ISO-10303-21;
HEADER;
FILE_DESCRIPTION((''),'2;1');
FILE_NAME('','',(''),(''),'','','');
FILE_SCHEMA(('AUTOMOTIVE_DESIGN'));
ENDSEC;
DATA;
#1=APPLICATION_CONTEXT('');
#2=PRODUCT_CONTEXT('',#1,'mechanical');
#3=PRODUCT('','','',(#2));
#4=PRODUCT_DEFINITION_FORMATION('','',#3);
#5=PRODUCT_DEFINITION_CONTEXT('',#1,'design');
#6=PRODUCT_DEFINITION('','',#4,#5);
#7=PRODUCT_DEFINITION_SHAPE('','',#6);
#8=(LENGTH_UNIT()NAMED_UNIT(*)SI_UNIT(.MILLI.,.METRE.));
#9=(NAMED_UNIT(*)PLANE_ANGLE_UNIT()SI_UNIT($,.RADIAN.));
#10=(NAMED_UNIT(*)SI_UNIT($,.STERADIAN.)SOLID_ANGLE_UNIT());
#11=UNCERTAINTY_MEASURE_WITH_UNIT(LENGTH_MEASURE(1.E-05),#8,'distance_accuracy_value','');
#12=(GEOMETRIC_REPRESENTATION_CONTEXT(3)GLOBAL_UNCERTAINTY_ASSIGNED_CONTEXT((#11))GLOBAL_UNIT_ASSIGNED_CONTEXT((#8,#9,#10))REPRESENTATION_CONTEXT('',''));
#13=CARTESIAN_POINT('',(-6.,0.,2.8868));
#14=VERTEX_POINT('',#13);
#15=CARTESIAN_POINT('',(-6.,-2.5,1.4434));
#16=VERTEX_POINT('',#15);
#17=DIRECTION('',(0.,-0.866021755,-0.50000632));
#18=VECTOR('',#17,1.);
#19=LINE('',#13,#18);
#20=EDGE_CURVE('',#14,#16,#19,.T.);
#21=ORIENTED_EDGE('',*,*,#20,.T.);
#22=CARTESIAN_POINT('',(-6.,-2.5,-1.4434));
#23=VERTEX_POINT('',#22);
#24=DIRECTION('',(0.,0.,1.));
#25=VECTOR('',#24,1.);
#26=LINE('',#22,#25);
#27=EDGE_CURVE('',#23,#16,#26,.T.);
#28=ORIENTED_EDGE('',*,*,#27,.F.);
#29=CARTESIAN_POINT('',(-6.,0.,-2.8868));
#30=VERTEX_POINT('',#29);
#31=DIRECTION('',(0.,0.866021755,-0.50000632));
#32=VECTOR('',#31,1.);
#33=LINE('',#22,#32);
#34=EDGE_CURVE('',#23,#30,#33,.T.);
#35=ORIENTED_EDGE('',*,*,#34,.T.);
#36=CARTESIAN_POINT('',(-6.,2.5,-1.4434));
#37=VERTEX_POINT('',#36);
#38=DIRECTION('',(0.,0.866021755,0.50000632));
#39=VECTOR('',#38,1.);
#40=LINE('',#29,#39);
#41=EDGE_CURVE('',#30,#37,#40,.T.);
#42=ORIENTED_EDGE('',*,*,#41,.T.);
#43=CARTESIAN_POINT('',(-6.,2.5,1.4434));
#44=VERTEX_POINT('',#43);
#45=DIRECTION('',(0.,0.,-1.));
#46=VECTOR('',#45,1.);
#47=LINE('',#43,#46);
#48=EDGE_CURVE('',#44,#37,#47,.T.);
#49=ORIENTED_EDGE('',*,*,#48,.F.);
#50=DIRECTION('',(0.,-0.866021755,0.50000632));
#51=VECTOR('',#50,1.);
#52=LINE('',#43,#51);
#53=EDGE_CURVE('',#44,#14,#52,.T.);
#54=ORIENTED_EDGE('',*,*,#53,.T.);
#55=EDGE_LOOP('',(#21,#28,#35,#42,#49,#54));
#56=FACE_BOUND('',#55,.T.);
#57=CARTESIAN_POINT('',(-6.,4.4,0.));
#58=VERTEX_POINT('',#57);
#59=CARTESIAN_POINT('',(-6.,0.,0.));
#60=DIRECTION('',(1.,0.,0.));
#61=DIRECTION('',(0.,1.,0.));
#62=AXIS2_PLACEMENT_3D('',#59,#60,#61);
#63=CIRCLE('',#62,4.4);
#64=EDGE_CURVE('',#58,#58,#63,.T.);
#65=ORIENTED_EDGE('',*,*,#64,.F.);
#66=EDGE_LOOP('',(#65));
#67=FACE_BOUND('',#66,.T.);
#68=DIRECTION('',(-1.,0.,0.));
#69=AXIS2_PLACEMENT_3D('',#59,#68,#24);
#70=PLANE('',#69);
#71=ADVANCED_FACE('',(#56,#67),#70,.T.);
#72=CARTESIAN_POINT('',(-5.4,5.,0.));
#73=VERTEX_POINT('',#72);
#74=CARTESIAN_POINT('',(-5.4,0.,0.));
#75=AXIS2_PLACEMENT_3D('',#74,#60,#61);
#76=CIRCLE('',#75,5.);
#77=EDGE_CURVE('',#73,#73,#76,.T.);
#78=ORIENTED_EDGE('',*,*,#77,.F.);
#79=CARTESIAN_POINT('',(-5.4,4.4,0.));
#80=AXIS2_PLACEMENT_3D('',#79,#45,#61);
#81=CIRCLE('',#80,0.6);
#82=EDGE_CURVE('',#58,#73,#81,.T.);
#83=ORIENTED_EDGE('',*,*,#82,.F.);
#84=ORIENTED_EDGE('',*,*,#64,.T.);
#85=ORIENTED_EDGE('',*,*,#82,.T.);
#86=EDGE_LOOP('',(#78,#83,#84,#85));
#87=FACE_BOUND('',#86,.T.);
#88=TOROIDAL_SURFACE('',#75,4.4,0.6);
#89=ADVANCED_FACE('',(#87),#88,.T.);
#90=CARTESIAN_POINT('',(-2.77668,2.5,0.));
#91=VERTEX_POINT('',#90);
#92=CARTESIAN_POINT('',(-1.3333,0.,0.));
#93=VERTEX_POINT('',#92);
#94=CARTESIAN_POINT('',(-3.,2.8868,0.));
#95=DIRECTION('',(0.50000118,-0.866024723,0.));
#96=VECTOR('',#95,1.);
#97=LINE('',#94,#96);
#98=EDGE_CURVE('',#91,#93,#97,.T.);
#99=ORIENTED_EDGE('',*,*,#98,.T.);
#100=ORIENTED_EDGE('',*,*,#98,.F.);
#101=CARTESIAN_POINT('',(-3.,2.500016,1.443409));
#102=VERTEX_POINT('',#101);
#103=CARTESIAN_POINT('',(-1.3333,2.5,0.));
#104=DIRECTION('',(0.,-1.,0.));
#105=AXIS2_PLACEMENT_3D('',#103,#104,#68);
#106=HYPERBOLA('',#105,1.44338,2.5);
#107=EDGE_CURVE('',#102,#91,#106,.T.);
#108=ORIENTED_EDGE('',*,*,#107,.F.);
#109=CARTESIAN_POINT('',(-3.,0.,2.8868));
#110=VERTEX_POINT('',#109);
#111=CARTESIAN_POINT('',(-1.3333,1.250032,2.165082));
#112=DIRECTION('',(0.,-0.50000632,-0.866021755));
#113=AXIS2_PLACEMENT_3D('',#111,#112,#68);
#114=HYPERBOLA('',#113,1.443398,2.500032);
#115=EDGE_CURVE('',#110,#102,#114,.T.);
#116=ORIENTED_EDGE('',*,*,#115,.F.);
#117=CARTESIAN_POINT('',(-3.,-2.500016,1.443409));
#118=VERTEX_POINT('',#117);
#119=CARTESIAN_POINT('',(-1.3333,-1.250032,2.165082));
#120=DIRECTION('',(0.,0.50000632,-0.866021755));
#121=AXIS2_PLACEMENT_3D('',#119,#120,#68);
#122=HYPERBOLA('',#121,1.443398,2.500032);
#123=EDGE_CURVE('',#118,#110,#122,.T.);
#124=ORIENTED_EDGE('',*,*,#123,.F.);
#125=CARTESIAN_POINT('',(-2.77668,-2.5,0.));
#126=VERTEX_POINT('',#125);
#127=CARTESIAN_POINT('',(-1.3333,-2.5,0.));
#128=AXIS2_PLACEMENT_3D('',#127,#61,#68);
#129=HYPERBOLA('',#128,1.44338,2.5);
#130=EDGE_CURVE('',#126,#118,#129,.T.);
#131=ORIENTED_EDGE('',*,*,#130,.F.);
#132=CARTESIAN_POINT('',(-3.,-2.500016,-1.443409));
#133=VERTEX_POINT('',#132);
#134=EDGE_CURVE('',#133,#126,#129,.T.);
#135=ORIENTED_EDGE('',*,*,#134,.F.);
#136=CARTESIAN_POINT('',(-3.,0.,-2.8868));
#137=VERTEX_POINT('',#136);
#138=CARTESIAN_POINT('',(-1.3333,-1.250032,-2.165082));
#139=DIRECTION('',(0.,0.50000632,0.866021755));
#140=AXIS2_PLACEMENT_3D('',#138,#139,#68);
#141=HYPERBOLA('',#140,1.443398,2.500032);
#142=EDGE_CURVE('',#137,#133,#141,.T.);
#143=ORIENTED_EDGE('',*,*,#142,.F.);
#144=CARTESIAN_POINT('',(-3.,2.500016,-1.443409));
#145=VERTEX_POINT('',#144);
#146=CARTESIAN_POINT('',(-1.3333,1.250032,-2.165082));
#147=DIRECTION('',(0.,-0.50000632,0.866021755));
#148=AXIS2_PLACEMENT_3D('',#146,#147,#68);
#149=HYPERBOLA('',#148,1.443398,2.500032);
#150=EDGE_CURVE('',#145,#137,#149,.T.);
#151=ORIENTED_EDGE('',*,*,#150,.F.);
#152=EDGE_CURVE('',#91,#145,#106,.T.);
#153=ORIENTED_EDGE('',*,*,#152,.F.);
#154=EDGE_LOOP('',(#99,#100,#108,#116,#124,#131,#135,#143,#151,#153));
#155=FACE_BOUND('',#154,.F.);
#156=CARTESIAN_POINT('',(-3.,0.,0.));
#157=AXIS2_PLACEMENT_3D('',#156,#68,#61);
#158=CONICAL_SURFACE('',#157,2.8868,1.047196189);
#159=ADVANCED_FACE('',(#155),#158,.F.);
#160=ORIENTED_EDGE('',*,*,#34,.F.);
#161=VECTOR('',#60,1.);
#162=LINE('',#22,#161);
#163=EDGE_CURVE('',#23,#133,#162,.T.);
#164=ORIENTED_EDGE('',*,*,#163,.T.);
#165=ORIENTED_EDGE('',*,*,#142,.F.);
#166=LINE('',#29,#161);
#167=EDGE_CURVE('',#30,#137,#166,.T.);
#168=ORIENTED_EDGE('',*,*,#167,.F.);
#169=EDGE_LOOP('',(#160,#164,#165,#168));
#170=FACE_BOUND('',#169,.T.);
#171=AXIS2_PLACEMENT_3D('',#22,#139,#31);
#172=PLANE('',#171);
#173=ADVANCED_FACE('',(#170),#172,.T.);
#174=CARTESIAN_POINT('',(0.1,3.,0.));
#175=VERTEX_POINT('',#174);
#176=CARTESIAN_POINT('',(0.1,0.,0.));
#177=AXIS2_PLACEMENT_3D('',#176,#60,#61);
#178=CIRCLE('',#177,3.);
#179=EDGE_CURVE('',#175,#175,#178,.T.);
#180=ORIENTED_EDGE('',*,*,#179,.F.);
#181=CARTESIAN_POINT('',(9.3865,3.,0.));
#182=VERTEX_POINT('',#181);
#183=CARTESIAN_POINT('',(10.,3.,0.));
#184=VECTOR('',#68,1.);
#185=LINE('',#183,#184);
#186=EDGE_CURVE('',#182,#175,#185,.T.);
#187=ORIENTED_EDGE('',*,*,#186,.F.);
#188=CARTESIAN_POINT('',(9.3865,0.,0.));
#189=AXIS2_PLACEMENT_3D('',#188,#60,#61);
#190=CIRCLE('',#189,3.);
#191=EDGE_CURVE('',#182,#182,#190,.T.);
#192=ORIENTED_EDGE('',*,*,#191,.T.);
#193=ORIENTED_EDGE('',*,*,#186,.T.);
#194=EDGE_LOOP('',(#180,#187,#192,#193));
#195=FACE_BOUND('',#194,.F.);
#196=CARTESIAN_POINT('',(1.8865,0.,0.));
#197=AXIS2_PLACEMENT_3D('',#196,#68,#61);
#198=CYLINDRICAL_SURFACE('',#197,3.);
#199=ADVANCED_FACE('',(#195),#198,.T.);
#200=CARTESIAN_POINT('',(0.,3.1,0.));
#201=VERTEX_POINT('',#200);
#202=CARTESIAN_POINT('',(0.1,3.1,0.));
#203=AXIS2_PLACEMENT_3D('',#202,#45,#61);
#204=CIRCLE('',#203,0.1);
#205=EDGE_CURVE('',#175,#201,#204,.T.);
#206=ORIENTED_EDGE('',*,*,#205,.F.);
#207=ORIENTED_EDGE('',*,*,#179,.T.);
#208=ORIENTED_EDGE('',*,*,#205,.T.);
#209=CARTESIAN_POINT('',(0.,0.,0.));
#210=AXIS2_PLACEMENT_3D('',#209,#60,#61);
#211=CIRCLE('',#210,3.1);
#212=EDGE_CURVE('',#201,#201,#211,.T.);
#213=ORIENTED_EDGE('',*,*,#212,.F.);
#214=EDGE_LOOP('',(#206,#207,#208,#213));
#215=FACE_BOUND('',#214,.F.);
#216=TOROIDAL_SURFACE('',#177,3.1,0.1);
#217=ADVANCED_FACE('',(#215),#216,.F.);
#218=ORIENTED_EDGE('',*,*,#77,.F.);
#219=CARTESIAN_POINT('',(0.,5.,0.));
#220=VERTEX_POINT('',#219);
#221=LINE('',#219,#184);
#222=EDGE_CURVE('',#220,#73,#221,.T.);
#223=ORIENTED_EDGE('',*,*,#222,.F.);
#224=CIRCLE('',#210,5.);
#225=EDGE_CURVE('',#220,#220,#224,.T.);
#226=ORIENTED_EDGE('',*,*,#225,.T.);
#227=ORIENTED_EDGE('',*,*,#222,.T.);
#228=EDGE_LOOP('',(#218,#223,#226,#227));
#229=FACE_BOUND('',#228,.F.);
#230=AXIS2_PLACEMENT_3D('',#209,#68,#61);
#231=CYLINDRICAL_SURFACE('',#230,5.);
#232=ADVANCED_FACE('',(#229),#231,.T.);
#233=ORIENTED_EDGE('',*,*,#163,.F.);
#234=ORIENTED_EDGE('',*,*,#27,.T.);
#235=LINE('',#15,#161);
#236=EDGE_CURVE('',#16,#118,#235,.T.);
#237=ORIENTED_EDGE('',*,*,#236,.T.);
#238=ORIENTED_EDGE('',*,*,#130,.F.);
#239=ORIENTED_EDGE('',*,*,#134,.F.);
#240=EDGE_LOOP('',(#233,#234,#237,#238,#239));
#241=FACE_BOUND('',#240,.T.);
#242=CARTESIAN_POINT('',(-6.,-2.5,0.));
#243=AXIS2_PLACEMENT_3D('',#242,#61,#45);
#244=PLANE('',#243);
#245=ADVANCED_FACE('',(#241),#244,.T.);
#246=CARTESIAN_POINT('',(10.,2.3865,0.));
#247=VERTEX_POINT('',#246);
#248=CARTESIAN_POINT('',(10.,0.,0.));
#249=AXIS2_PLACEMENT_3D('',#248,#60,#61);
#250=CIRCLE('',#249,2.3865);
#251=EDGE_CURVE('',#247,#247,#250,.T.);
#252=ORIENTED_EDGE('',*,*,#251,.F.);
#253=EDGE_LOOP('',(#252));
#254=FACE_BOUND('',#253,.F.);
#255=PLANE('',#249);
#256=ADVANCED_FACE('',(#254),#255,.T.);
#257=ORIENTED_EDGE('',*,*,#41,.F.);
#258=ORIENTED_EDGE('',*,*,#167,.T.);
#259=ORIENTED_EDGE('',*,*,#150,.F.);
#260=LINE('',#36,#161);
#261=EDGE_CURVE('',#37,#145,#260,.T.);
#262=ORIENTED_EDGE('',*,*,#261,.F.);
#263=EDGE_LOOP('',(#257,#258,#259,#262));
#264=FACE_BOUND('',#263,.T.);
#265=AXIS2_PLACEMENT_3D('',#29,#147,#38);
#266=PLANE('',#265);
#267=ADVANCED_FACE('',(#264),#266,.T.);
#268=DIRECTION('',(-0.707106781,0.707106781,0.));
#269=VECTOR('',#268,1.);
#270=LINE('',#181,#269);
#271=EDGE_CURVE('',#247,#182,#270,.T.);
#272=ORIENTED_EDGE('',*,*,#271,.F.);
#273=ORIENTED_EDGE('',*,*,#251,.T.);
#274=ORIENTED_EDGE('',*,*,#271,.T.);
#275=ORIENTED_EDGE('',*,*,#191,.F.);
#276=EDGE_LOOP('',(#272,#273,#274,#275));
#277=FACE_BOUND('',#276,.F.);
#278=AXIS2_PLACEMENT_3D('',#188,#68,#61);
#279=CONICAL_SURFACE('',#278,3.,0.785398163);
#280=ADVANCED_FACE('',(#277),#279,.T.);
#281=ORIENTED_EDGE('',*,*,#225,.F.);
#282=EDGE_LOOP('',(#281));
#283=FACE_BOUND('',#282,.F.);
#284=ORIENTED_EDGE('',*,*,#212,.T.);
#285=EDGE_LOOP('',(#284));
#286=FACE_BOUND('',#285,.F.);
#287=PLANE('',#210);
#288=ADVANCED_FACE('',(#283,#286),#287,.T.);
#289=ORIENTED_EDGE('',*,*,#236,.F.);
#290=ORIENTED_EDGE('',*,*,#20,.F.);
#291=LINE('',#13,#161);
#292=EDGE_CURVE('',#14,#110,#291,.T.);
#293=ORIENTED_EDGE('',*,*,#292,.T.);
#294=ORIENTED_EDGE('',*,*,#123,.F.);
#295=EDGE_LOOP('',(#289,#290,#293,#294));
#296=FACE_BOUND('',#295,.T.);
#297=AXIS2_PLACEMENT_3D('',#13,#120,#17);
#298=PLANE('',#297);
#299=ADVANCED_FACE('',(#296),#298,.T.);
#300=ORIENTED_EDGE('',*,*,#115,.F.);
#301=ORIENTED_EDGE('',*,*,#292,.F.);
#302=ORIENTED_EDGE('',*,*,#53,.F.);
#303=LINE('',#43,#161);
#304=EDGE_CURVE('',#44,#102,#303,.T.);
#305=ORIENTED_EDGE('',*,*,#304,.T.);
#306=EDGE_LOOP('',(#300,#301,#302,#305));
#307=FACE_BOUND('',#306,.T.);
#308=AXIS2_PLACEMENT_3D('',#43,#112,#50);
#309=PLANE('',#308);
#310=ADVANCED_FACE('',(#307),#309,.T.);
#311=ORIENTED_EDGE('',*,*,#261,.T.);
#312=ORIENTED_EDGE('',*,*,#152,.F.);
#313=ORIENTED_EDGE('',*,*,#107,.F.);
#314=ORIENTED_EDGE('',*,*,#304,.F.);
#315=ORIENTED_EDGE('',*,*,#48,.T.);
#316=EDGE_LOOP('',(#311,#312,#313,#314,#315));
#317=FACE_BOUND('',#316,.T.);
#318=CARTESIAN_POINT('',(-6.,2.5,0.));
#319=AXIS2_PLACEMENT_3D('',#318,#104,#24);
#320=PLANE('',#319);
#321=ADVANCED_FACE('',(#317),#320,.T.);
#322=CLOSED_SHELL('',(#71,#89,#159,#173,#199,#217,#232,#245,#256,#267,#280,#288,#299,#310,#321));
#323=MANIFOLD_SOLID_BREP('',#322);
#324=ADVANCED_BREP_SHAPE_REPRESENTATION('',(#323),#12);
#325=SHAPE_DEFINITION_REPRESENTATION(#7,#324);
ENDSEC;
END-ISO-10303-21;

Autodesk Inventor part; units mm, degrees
ref_plane "YZ Plane" through (0, 0, 0) normal (1, 0, 0) x (0, 1, 0)
ref_plane "XZ Plane" through (0, 0, 0) normal (0, 1, 0) x (-1, 0, 0)
sketch "Sketch1" plane through (0, 0, 0) normal (0, 0, 1) x (1, 0, 0)
  line L0 (-1.3333, 0) -> (10, 0)
  line L1 (10, 0) -> (10, 3)
  line L2 (10, 3) -> (2.5, 3)
  line L3 (2.5, 3) -> (1.8865, 3)
  line L4 (1.8865, 3) -> (0, 3)
  line L5 (0, 3) -> (0, 5)
  line L6 (0, 5) -> (-6, 5)
  line L7 (-6, 5) -> (-6, 2.8868)
  line L8 (-6, 2.8868) -> (-3, 2.8868)
  line L9 (-3, 2.8868) -> (-1.3333, 0)
  line L10 (-9.2, 0) -> (13.2, 0) projected
  line L11 (0, -1) -> (0, 6) projected
  line L12 (2.5, 3) -> (0, 3) construction
  dimension "d1" = 7.5
  dimension "d2" = 0.6136
  dimension "d3" = 6
  dimension "d4" = 3
  dimension "d5" = 60
  dimension "d6" = 6
  dimension "d7" = 6
  dimension "d8" = 5.7735
  dimension "d9" = 10
  dimension "d26" = 10
revolve "Body" add sketch "Sketch1" angle 360 about axis through (-1.3333, 0, 0) along (1, 0, 0)
sketch "Sketch2" plane through (-6, 0, 0) normal (-1, 0, 0) x (0, 0, 1)
  circle A0 centre (0, 0) radius 2.8868 projected
  line L0 (0, -7) -> (0, 7) projected
  line L1 (-7, 0) -> (7, 0) projected
  line L2 (2.8868, 0) -> (1.4434, -2.5)
  line L3 (1.4434, -2.5) -> (-1.4434, -2.5)
  line L4 (-1.4434, -2.5) -> (-2.8868, 0)
  line L5 (-2.8868, 0) -> (-1.4434, 2.5)
  line L6 (-1.4434, 2.5) -> (1.4434, 2.5)
  line L7 (1.4434, 2.5) -> (2.8868, 0)
extrude "Slot" add sketch "Sketch2" against normal up to next contours L7 A0 | A0 L2 | L6 L0 A0 | A0 L0 L3 | L0 L6 A0 | A0 L3 L0 | L4 A0 | A0 L5
fillet "Fillet1" radius 0.6 1 edges at (-6, -5, 0)
thread "Thread" size "M6x1" class "6g" standard "ISO Metric profile" length 7.5
chamfer "Chamfer1" distance 0.6135 distance2 0.6135 1 edges at (10, -3, 0) measured on face at (10, 0.705, 0.3049)
ref_plane "Work Plane1" through (29, 0, 0) normal (0, -1, 0) x (1, 0, 0)
fillet "Fillet2" radius 0.1 1 edges at (0, -3, 0)
equation "\"d1\" = GEL"
equation "\"d3\" = KOH"
equation "\"d4\" = INTI"
equation "\"d6\" = GD"
equation "\"d7\" = BDM"
equation "\"d8\" = 1.1547 * SW"
equation "\"d9\" = KOD"
equation "\"d26\" = NLG"
equation "\"d30\" = R"
equation "\"d17\" = RR"
equation "\"d13\" = GEL"
equation "\"d15\" = -0.5 * SPD + 0.5 * GD"
equation "\"d16\" = GUL"
equation "\"GD\" = NND"
equation "\"NLG\" = 10"
equation "\"GEL\" = 7.5"
equation "\"KOD\" = 10"
equation "\"KOH\" = NND"
equation "\"INTI\" = 3"
equation "\"GAL\" = 0.61345 * PTC"
equation "\"GUL\" = 0.61345 * PTC"
equation "\"BDM\" = NND"
equation "\"SW\" = 5"
equation "\"RR\" = 0.1 * NND"
equation "\"SPD\" = NND - 1.2269 * PTC"
equation "\"R\" = 0.1"
equation "\"PHH\" = 0.2"
equation "\"GD1\" = THREADDIA - 1.2269 * PTC"
equation "\"THREADDIA\" = 6"
equation "\"FAWI\" = 45deg"
equation "\"PTC\" = 1"
equation "\"KOH1\" = 5.4"
equation "\"NND\" = 6"
equation "\"TOA\" = 30deg"
equation "\"E0\" = 1.155 * SW"
properties part number "AS 1420 - 1973 - M6 x 10" material "Steel, Mild"
